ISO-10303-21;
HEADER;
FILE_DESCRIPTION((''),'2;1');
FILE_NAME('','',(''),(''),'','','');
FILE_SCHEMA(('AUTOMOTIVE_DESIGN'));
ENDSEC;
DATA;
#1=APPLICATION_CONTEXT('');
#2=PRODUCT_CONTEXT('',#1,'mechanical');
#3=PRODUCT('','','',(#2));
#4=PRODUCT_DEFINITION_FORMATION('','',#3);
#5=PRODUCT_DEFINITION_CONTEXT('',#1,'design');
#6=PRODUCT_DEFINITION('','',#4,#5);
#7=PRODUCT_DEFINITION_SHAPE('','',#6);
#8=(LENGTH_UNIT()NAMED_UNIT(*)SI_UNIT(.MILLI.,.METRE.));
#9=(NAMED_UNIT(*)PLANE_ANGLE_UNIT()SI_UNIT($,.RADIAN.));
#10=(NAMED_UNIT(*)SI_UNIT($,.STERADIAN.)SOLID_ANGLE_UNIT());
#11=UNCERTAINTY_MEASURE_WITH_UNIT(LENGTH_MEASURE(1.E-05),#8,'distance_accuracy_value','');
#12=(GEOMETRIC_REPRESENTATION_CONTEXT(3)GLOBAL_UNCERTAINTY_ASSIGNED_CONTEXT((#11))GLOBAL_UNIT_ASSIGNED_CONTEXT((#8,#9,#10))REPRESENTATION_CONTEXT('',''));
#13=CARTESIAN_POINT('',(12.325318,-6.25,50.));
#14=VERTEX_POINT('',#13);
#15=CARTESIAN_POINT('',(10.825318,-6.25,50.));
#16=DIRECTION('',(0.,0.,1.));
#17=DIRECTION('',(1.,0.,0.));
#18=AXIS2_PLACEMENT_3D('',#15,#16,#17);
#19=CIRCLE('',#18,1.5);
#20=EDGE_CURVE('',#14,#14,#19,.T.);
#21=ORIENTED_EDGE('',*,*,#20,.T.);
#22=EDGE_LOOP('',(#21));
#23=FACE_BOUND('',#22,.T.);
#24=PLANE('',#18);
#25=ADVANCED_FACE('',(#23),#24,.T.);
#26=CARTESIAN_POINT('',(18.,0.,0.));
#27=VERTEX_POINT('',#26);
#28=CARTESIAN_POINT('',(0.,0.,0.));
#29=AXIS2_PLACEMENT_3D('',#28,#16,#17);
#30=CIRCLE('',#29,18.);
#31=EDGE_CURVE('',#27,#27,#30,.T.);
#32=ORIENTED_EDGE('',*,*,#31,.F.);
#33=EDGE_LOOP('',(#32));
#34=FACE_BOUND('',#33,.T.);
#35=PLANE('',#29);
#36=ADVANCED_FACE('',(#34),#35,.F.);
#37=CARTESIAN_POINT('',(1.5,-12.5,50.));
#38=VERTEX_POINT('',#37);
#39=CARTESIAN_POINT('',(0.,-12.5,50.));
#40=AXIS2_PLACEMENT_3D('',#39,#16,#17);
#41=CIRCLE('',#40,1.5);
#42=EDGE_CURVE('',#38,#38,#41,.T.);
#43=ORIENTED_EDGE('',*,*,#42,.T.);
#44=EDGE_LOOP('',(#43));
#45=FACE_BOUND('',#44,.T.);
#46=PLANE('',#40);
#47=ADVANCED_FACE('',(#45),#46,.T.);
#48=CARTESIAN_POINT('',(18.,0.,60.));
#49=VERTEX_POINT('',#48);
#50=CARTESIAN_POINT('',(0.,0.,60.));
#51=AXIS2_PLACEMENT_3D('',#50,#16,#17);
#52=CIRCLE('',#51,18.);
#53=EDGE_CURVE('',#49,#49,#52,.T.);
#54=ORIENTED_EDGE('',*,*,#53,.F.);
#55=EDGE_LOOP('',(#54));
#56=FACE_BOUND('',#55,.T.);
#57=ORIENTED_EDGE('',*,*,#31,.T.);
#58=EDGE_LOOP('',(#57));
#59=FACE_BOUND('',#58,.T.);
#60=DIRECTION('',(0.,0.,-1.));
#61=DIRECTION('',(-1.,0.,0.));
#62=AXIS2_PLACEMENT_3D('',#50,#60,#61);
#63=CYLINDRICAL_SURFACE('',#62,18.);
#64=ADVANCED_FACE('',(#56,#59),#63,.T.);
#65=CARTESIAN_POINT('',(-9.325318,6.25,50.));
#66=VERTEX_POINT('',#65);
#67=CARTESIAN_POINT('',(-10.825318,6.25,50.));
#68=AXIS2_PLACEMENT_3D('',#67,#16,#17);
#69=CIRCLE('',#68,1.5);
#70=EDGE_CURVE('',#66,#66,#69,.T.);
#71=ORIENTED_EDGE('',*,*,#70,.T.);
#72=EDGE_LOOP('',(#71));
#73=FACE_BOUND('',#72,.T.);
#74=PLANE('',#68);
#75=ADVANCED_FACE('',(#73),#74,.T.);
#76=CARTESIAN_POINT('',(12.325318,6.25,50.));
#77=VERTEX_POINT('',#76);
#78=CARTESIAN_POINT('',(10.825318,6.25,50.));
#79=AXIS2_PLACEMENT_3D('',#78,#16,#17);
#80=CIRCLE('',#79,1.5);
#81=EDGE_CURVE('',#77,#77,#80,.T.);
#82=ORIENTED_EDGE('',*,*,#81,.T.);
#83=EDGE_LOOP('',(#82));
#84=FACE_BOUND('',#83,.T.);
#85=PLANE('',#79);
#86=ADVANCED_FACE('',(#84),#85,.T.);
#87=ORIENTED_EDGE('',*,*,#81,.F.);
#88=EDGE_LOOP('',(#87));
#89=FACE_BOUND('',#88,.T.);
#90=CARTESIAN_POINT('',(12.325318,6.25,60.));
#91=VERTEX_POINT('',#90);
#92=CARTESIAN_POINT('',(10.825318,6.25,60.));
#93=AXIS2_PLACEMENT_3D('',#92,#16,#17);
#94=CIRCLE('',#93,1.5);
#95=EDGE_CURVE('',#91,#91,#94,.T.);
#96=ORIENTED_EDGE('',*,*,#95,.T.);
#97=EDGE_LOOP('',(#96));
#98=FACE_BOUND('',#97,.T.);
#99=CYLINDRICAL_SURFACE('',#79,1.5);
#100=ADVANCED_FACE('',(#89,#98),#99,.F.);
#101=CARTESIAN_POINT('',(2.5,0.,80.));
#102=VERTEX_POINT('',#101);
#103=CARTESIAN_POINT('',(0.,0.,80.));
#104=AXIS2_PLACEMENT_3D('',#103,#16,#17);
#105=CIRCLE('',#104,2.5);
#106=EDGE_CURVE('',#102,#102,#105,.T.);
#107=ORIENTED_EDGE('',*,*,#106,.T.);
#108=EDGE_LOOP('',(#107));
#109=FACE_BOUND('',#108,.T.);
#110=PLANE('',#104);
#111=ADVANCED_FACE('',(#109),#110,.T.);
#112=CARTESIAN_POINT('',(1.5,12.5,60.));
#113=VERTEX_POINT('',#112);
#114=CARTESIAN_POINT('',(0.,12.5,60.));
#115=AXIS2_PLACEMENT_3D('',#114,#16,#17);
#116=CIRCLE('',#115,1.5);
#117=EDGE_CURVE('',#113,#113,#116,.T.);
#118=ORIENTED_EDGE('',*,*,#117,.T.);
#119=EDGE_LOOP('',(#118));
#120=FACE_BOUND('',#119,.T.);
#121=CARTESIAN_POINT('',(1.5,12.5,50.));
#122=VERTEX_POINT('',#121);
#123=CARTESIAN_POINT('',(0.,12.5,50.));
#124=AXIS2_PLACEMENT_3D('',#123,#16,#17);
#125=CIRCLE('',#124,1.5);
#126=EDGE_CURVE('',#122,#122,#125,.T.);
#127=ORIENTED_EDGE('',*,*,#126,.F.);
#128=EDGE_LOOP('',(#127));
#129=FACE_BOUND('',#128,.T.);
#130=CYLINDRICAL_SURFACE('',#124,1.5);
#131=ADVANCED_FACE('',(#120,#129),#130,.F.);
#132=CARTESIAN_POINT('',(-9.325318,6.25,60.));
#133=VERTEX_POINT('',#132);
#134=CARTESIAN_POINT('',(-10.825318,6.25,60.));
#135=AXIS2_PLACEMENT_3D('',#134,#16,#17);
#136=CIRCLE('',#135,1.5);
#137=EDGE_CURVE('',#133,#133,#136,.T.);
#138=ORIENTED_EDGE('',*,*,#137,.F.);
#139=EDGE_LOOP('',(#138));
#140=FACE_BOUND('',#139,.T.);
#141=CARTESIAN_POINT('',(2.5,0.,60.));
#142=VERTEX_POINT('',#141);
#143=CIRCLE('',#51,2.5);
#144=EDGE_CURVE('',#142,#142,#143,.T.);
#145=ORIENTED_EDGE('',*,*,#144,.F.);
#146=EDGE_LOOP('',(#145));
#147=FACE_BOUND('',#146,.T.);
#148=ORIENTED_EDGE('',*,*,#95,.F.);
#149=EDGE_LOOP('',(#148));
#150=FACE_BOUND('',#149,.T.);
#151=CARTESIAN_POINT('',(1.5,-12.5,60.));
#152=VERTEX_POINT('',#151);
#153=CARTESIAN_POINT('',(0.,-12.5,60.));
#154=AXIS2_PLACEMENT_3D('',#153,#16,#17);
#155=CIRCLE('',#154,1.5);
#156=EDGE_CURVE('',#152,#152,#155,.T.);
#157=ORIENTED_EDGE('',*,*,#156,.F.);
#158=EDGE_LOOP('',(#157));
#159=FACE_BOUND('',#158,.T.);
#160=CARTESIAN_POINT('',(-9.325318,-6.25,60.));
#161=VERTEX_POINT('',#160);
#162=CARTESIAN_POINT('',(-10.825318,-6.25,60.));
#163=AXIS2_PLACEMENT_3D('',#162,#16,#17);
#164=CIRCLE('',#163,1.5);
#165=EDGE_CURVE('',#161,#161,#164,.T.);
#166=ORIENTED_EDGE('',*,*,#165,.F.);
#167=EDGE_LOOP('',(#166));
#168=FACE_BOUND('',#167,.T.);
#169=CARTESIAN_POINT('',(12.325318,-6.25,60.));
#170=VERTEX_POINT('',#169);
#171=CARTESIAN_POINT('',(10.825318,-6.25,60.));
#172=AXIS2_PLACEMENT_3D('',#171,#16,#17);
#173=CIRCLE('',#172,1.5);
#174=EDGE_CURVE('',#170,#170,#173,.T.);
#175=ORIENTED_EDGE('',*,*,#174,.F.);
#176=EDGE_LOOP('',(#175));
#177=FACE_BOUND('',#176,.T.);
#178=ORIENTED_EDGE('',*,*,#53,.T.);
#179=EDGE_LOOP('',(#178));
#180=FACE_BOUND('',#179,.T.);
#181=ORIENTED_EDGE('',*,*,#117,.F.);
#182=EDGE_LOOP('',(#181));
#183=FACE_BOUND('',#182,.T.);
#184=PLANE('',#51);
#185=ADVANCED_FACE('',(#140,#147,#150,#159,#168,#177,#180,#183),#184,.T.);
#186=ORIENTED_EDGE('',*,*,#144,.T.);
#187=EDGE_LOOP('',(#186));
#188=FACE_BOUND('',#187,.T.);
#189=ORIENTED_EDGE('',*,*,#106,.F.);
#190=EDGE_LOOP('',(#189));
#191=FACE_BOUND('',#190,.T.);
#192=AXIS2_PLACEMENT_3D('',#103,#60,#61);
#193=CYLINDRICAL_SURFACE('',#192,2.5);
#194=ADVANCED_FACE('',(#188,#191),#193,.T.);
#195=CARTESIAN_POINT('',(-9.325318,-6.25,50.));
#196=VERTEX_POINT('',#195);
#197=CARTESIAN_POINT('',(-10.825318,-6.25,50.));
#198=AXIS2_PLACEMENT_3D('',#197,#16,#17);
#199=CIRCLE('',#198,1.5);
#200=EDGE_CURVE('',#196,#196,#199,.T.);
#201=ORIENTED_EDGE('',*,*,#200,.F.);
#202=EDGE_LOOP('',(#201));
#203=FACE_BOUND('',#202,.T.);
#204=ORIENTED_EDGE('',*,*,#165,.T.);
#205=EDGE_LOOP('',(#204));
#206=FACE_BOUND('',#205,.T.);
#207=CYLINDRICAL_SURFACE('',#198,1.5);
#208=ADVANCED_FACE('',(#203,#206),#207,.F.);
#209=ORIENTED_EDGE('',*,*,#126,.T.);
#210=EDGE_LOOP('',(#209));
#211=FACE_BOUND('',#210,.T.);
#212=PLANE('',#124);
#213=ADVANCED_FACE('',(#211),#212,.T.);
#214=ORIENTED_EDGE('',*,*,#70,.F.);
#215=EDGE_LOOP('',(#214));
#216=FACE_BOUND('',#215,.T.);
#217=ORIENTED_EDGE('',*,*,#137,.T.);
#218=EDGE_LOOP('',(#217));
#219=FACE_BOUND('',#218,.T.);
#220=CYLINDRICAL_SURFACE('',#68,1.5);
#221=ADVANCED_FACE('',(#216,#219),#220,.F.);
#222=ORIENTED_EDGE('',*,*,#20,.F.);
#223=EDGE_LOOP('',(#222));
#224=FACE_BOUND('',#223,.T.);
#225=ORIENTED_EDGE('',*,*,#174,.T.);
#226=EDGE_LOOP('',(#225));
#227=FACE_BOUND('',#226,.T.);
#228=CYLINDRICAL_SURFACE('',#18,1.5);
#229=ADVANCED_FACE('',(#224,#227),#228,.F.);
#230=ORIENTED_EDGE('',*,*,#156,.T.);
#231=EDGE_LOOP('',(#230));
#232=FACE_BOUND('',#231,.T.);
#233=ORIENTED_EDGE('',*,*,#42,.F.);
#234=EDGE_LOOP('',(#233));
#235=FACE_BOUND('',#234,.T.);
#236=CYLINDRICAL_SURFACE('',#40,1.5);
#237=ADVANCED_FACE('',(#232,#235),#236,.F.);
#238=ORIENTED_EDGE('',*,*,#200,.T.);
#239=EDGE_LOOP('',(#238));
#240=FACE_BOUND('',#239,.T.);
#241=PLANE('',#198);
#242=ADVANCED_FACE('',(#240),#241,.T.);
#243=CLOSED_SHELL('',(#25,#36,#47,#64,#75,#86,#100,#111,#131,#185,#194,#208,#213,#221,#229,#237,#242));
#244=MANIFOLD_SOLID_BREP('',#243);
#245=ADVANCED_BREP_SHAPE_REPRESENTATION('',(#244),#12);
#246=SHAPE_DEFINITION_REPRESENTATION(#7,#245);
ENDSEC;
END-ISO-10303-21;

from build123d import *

# Parameters (mm, degrees)
SKETCH1_R           = 18
BOSS_EXTRUDE1_DEPTH = 60
SKETCH2_R           = 2.5
BOSS_EXTRUDE2_DEPTH = 20
SKETCH3_R           = 1.5
CUT_EXTRUDE1_DEPTH  = 10


with BuildPart() as part:
    # Sketch1 → Boss-Extrude1 (new body)
    with BuildSketch(Plane.XY):
        Circle(SKETCH1_R)
    extrude(amount=BOSS_EXTRUDE1_DEPTH)

    # Sketch2 → Boss-Extrude2 (add)
    with BuildSketch(Plane.XY.offset(60)):
        Circle(SKETCH2_R)
    extrude(amount=BOSS_EXTRUDE2_DEPTH)

    # Sketch3 → Cut-Extrude1 (cut)
    with BuildSketch(Plane.XY.offset(60)):
        with Locations((0, 12.5)):
            Circle(SKETCH3_R)
        with Locations((10.825317547, 6.25)):
            Circle(SKETCH3_R)
        with Locations((10.825317547, -6.25)):
            Circle(SKETCH3_R)
        with Locations((0, -12.5)):
            Circle(SKETCH3_R)
        with Locations((-10.825317547, -6.25)):
            Circle(SKETCH3_R)
        with Locations((-10.825317547, 6.25)):
            Circle(SKETCH3_R)
    extrude(amount=-CUT_EXTRUDE1_DEPTH, mode=Mode.SUBTRACT)


solid = part.part
